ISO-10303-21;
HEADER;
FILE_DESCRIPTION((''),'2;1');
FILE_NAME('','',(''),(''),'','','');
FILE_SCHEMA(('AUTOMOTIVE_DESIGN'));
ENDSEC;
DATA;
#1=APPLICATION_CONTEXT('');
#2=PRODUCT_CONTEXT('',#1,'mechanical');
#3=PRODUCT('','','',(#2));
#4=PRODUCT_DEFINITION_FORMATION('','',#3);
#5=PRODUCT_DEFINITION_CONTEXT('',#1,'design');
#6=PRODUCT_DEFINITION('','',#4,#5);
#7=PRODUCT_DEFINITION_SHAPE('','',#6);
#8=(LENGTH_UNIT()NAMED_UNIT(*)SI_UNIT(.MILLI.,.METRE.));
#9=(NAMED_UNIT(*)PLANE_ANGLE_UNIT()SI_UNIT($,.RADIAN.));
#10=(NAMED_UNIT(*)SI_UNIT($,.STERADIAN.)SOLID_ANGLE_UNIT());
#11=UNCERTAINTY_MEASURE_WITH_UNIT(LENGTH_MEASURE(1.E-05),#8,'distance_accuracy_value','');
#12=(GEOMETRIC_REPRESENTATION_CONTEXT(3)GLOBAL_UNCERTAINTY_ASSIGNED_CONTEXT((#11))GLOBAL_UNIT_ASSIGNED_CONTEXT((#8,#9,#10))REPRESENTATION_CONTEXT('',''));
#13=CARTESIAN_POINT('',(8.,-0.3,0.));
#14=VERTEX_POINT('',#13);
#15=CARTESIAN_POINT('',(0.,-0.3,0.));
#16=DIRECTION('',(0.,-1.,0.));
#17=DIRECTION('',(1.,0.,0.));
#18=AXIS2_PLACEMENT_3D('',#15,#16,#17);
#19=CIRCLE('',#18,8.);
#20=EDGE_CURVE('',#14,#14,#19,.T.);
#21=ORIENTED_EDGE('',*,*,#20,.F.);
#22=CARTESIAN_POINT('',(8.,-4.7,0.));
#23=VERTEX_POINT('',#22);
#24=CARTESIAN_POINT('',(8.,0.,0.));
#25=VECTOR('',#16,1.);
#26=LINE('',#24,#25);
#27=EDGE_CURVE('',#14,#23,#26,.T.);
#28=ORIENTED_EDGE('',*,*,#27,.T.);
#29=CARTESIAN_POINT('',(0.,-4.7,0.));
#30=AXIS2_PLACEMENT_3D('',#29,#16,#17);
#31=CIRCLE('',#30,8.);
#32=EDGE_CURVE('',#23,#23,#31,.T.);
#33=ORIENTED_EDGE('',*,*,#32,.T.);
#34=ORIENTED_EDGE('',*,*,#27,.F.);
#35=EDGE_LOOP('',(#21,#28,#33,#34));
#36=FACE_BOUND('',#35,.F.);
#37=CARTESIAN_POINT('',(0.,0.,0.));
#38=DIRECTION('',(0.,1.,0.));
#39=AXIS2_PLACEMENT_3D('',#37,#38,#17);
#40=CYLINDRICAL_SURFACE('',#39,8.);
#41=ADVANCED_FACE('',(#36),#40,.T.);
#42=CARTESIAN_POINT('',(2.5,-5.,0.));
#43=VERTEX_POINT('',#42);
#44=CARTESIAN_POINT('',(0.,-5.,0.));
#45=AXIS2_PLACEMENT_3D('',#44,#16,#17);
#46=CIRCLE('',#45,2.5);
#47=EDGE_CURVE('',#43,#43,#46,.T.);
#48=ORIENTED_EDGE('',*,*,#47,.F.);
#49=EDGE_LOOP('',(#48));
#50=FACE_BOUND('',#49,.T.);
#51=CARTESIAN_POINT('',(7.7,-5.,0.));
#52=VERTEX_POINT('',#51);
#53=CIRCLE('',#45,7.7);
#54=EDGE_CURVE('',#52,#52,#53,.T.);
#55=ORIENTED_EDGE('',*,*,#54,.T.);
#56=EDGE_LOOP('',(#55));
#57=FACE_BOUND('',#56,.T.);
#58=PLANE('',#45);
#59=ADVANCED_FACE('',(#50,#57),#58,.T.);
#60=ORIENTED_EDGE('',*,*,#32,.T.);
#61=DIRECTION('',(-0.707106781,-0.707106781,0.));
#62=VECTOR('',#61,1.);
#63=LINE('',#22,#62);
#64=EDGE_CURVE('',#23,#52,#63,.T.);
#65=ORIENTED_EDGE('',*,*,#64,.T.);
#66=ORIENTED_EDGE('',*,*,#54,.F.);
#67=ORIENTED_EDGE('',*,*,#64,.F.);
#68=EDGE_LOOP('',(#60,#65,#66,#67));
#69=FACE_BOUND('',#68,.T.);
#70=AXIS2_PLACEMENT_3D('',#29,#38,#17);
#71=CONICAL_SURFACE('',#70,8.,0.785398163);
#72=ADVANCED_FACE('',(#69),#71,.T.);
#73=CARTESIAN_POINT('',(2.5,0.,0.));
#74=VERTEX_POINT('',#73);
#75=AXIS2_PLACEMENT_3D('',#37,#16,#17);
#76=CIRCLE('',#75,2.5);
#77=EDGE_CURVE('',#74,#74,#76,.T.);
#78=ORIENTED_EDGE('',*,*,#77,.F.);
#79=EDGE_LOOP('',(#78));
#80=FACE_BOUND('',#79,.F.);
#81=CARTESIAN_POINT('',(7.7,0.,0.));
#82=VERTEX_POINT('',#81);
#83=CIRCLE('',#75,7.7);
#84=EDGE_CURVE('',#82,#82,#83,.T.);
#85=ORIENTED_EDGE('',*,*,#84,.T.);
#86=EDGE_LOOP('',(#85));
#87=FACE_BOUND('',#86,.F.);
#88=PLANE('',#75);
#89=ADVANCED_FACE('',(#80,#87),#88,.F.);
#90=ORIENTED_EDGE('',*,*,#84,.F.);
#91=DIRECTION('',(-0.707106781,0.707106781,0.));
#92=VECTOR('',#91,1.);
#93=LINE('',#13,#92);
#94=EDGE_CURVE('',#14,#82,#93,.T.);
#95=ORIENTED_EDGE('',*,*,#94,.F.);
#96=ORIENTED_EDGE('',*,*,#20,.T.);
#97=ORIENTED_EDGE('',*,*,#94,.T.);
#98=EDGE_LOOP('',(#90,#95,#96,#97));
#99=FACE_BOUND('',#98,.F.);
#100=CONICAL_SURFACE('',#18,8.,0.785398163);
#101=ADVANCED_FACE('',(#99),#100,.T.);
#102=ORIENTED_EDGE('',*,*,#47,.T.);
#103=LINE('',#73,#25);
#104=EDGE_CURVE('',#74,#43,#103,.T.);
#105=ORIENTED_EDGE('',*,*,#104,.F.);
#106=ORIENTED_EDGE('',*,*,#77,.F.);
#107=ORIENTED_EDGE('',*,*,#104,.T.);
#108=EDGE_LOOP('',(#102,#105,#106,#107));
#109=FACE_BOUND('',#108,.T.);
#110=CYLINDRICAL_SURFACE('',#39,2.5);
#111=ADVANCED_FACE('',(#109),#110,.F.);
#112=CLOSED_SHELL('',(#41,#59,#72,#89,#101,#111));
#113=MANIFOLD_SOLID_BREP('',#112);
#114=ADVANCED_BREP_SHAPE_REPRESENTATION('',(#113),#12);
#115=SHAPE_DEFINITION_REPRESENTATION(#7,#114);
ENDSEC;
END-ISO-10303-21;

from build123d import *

# Parameters (mm, degrees)
F0_R     = 8
F0_R_2   = 2.5
F1_DEPTH = 5
F2_SIZE  = 0.3


with BuildPart() as f1:
    # F0 (on Front) → F1 (new body)
    with BuildSketch(Plane.XZ):
        Circle(F0_R)
        Circle(F0_R_2, mode=Mode.SUBTRACT)
    extrude(amount=F1_DEPTH)

    # F2
    f2_edges = [f1.edges().sort_by_distance(p)[0] for p in [
        (-8, 0, 0),
        (-8, -5, 0),
    ]]
    chamfer(f2_edges, length=F2_SIZE)


solid = f1.part
